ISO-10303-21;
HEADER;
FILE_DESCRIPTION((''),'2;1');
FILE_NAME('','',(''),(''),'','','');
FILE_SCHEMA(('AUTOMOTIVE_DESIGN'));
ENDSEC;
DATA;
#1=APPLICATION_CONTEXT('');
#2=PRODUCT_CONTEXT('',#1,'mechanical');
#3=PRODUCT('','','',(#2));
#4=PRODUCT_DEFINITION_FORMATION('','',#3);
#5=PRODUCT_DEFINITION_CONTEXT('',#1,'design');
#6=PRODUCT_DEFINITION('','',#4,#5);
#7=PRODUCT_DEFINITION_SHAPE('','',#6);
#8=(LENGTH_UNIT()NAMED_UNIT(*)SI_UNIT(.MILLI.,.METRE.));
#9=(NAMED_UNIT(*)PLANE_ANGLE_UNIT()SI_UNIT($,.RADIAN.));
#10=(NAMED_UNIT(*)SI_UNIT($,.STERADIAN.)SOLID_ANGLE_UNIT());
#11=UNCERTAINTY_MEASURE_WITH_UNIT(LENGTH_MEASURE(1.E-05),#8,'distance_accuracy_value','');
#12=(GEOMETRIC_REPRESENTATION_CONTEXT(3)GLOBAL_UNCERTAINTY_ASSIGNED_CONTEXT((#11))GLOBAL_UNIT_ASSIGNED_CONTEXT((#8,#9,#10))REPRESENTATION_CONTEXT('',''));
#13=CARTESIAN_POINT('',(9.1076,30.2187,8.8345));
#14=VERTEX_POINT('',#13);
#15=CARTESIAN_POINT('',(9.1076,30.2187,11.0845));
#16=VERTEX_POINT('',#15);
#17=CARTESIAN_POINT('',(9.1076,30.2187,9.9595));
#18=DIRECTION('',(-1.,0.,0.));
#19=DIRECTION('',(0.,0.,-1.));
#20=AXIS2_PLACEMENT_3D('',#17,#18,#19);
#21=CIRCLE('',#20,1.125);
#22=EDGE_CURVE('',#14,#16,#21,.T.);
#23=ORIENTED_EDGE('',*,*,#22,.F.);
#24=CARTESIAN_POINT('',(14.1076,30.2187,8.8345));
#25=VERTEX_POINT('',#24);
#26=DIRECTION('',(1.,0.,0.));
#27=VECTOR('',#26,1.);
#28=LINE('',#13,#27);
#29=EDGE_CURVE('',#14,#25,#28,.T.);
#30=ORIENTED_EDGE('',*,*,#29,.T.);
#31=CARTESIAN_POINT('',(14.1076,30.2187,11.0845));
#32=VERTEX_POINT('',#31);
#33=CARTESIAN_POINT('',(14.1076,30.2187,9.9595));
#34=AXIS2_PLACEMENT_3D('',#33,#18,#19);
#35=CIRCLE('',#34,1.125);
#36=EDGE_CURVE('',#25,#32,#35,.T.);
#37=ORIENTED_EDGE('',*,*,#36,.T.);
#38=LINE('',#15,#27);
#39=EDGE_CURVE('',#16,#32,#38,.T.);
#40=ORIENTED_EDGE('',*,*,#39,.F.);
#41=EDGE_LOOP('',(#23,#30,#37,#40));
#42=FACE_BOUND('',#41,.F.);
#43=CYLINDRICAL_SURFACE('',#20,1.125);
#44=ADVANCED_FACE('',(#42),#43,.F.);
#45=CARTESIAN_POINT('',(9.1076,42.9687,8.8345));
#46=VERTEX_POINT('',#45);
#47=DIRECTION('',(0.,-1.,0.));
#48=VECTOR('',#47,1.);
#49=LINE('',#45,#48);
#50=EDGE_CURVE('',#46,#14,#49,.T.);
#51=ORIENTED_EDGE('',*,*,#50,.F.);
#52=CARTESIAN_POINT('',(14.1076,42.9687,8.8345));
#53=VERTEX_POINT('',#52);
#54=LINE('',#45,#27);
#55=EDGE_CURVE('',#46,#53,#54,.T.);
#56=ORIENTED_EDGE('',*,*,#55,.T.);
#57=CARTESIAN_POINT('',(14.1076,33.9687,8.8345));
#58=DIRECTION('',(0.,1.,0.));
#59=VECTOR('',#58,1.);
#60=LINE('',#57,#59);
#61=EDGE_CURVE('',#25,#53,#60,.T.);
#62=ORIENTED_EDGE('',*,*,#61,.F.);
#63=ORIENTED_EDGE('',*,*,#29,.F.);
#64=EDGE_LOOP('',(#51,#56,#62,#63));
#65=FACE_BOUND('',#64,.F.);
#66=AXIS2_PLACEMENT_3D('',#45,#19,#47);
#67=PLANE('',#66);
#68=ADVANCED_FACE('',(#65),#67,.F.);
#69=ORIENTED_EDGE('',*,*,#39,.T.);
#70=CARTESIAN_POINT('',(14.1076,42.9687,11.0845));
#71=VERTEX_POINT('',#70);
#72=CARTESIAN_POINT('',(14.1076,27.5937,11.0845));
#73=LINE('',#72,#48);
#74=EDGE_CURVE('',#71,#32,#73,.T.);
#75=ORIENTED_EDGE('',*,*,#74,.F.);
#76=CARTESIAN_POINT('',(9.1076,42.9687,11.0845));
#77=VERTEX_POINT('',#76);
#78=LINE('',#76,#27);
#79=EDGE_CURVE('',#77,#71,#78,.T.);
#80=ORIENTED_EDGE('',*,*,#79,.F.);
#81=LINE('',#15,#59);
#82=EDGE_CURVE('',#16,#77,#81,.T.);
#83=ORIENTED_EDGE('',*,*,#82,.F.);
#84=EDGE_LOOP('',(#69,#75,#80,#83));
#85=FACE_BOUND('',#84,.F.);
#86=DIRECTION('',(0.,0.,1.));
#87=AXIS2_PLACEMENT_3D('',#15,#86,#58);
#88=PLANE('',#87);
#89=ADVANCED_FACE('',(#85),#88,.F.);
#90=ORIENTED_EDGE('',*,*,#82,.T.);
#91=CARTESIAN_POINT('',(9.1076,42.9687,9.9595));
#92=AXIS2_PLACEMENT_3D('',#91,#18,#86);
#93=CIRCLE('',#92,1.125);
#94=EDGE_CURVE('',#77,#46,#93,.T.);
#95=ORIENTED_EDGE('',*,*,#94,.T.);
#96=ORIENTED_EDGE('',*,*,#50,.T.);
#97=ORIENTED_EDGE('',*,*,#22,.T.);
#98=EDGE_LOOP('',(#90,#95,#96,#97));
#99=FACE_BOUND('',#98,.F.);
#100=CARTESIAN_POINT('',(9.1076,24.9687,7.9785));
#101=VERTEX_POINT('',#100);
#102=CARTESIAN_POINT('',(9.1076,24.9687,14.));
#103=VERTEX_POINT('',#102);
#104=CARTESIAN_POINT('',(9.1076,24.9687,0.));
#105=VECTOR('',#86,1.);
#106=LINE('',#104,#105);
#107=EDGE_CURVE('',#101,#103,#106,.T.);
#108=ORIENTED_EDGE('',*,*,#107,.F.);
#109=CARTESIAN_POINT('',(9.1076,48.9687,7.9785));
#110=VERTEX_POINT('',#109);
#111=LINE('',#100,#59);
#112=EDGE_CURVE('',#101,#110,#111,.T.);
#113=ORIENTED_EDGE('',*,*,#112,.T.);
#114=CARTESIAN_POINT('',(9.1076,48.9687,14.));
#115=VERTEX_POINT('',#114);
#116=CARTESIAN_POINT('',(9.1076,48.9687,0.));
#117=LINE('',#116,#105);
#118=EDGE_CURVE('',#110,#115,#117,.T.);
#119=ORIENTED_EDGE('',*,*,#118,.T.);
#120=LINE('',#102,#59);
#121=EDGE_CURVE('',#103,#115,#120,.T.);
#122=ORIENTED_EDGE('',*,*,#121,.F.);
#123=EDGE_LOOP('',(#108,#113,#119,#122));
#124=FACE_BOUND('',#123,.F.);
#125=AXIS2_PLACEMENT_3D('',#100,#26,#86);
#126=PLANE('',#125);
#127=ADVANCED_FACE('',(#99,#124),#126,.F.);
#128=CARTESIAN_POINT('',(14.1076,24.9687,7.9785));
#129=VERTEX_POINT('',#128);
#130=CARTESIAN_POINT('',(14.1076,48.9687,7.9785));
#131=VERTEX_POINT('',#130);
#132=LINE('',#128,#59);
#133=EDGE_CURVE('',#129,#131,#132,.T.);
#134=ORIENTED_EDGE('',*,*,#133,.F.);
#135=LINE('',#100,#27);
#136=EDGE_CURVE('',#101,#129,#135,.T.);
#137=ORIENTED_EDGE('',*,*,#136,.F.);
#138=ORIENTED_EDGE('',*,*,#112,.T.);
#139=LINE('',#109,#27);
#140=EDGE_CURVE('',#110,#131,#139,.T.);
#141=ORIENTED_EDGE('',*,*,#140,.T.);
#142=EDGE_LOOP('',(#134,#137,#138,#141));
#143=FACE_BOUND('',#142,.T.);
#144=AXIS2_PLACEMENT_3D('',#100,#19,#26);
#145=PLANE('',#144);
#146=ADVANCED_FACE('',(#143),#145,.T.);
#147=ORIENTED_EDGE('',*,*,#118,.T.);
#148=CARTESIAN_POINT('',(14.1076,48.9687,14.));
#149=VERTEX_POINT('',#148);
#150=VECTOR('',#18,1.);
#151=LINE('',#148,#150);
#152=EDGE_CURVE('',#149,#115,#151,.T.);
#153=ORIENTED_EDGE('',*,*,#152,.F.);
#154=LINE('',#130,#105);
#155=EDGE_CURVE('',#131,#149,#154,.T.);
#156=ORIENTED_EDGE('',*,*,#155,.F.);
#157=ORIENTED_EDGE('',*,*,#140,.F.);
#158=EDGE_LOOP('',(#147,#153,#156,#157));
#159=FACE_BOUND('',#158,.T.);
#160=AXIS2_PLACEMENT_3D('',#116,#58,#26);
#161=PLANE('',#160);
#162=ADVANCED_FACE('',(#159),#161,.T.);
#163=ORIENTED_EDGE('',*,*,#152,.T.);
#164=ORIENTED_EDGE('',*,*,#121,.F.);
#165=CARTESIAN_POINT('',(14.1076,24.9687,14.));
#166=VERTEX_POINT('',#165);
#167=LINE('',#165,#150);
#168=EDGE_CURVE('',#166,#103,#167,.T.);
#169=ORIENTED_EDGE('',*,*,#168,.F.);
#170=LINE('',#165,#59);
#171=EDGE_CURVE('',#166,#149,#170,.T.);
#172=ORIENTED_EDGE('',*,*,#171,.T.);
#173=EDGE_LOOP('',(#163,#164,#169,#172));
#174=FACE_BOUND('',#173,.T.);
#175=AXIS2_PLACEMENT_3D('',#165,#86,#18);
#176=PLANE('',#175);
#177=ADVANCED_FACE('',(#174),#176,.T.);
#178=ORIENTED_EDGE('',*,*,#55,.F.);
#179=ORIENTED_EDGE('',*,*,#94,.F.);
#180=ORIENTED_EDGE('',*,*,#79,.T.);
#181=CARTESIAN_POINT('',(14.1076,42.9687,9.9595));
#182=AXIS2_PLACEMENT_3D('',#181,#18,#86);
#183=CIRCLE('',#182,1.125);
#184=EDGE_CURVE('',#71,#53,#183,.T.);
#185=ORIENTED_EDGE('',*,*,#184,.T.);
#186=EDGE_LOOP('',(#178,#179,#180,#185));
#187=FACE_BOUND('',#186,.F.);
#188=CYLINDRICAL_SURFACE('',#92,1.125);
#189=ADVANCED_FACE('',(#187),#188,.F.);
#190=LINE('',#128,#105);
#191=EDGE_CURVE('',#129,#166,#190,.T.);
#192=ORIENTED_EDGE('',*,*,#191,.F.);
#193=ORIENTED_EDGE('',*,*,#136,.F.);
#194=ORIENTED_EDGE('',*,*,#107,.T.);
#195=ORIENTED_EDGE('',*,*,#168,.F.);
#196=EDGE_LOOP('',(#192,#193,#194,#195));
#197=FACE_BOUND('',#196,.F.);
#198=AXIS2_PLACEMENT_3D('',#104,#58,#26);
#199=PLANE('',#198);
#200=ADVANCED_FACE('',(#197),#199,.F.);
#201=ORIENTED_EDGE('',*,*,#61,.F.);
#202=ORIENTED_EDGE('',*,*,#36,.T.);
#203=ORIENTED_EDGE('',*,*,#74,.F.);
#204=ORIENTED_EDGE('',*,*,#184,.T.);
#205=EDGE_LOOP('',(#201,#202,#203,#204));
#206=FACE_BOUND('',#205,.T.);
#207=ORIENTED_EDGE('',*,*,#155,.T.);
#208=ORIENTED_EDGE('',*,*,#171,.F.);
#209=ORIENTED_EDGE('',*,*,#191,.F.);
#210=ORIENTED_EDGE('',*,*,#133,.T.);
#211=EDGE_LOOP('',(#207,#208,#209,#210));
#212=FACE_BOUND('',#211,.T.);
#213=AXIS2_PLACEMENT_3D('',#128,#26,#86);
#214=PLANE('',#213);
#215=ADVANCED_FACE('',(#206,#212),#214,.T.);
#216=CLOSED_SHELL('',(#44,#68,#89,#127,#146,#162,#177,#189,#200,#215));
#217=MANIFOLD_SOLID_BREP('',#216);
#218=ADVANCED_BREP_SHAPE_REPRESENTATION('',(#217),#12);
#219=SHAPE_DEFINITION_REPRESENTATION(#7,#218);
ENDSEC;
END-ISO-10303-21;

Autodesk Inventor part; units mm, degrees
ref_plane "YZ Plane" through (0, 0, 0) normal (1, 0, 0) x (0, 1, 0)
ref_plane "XZ Plane" through (0, 0, 0) normal (0, 1, 0) x (-1, 0, 0)
ref_plane "XY Plane" through (0, 0, 0) normal (0, 0, 1) x (1, 0, 0)
ref_plane "Work Plane1" through (9.1076, 24.9687, 0) normal (0, 1, 0) x (1, 0, 0)
sketch "Sketch5" plane through (9.1076, 24.9687, 0) normal (0, 1, 0) x (1, 0, 0)
  line L0 (0, 0) -> (0, -14) projected
  line L1 (5, -14) -> (0, -14)
  line L2 (0, -14) -> (0, -7.9785)
  line L3 (0, -7.9785) -> (5, -7.9785)
  line L4 (5, -7.9785) -> (5, -14)
  point P0 (-9.1076, 0)
extrude "Extrusion5" add sketch "Sketch5" along normal blind 24
sketch "Sketch9" plane through (9.1076, 24.9687, 7.9785) normal (-1, 0, 0) x (0, 0, 1)
  line L0 (6.0215, 0) -> (6.0215, 24) projected
  line L1 (0, 24) -> (6.0215, 24) projected
  line L2 (1.981, 18) -> (1.981, 5.25) construction
  line L3 (0.856, 18) -> (0.856, 5.25)
  line L4 (3.106, 5.25) -> (3.106, 18)
  arc A0 (3.106, 18) -> (0.856, 18) centre (1.981, 18) ccw
  arc A1 (0.856, 5.25) -> (3.106, 5.25) centre (1.981, 5.25) ccw
  point P0 (-7.9785, -24.9687)
  point P1 (1.981, 11.625)
  dimension "d23" = 15
  dimension "d24" = 2.25
  dimension "d25" = 6
  dimension "d28" = 4.0405
extrude "Extrusion9" cut sketch "Sketch9" against normal blind 25.4
properties part number "endstop_holder"
